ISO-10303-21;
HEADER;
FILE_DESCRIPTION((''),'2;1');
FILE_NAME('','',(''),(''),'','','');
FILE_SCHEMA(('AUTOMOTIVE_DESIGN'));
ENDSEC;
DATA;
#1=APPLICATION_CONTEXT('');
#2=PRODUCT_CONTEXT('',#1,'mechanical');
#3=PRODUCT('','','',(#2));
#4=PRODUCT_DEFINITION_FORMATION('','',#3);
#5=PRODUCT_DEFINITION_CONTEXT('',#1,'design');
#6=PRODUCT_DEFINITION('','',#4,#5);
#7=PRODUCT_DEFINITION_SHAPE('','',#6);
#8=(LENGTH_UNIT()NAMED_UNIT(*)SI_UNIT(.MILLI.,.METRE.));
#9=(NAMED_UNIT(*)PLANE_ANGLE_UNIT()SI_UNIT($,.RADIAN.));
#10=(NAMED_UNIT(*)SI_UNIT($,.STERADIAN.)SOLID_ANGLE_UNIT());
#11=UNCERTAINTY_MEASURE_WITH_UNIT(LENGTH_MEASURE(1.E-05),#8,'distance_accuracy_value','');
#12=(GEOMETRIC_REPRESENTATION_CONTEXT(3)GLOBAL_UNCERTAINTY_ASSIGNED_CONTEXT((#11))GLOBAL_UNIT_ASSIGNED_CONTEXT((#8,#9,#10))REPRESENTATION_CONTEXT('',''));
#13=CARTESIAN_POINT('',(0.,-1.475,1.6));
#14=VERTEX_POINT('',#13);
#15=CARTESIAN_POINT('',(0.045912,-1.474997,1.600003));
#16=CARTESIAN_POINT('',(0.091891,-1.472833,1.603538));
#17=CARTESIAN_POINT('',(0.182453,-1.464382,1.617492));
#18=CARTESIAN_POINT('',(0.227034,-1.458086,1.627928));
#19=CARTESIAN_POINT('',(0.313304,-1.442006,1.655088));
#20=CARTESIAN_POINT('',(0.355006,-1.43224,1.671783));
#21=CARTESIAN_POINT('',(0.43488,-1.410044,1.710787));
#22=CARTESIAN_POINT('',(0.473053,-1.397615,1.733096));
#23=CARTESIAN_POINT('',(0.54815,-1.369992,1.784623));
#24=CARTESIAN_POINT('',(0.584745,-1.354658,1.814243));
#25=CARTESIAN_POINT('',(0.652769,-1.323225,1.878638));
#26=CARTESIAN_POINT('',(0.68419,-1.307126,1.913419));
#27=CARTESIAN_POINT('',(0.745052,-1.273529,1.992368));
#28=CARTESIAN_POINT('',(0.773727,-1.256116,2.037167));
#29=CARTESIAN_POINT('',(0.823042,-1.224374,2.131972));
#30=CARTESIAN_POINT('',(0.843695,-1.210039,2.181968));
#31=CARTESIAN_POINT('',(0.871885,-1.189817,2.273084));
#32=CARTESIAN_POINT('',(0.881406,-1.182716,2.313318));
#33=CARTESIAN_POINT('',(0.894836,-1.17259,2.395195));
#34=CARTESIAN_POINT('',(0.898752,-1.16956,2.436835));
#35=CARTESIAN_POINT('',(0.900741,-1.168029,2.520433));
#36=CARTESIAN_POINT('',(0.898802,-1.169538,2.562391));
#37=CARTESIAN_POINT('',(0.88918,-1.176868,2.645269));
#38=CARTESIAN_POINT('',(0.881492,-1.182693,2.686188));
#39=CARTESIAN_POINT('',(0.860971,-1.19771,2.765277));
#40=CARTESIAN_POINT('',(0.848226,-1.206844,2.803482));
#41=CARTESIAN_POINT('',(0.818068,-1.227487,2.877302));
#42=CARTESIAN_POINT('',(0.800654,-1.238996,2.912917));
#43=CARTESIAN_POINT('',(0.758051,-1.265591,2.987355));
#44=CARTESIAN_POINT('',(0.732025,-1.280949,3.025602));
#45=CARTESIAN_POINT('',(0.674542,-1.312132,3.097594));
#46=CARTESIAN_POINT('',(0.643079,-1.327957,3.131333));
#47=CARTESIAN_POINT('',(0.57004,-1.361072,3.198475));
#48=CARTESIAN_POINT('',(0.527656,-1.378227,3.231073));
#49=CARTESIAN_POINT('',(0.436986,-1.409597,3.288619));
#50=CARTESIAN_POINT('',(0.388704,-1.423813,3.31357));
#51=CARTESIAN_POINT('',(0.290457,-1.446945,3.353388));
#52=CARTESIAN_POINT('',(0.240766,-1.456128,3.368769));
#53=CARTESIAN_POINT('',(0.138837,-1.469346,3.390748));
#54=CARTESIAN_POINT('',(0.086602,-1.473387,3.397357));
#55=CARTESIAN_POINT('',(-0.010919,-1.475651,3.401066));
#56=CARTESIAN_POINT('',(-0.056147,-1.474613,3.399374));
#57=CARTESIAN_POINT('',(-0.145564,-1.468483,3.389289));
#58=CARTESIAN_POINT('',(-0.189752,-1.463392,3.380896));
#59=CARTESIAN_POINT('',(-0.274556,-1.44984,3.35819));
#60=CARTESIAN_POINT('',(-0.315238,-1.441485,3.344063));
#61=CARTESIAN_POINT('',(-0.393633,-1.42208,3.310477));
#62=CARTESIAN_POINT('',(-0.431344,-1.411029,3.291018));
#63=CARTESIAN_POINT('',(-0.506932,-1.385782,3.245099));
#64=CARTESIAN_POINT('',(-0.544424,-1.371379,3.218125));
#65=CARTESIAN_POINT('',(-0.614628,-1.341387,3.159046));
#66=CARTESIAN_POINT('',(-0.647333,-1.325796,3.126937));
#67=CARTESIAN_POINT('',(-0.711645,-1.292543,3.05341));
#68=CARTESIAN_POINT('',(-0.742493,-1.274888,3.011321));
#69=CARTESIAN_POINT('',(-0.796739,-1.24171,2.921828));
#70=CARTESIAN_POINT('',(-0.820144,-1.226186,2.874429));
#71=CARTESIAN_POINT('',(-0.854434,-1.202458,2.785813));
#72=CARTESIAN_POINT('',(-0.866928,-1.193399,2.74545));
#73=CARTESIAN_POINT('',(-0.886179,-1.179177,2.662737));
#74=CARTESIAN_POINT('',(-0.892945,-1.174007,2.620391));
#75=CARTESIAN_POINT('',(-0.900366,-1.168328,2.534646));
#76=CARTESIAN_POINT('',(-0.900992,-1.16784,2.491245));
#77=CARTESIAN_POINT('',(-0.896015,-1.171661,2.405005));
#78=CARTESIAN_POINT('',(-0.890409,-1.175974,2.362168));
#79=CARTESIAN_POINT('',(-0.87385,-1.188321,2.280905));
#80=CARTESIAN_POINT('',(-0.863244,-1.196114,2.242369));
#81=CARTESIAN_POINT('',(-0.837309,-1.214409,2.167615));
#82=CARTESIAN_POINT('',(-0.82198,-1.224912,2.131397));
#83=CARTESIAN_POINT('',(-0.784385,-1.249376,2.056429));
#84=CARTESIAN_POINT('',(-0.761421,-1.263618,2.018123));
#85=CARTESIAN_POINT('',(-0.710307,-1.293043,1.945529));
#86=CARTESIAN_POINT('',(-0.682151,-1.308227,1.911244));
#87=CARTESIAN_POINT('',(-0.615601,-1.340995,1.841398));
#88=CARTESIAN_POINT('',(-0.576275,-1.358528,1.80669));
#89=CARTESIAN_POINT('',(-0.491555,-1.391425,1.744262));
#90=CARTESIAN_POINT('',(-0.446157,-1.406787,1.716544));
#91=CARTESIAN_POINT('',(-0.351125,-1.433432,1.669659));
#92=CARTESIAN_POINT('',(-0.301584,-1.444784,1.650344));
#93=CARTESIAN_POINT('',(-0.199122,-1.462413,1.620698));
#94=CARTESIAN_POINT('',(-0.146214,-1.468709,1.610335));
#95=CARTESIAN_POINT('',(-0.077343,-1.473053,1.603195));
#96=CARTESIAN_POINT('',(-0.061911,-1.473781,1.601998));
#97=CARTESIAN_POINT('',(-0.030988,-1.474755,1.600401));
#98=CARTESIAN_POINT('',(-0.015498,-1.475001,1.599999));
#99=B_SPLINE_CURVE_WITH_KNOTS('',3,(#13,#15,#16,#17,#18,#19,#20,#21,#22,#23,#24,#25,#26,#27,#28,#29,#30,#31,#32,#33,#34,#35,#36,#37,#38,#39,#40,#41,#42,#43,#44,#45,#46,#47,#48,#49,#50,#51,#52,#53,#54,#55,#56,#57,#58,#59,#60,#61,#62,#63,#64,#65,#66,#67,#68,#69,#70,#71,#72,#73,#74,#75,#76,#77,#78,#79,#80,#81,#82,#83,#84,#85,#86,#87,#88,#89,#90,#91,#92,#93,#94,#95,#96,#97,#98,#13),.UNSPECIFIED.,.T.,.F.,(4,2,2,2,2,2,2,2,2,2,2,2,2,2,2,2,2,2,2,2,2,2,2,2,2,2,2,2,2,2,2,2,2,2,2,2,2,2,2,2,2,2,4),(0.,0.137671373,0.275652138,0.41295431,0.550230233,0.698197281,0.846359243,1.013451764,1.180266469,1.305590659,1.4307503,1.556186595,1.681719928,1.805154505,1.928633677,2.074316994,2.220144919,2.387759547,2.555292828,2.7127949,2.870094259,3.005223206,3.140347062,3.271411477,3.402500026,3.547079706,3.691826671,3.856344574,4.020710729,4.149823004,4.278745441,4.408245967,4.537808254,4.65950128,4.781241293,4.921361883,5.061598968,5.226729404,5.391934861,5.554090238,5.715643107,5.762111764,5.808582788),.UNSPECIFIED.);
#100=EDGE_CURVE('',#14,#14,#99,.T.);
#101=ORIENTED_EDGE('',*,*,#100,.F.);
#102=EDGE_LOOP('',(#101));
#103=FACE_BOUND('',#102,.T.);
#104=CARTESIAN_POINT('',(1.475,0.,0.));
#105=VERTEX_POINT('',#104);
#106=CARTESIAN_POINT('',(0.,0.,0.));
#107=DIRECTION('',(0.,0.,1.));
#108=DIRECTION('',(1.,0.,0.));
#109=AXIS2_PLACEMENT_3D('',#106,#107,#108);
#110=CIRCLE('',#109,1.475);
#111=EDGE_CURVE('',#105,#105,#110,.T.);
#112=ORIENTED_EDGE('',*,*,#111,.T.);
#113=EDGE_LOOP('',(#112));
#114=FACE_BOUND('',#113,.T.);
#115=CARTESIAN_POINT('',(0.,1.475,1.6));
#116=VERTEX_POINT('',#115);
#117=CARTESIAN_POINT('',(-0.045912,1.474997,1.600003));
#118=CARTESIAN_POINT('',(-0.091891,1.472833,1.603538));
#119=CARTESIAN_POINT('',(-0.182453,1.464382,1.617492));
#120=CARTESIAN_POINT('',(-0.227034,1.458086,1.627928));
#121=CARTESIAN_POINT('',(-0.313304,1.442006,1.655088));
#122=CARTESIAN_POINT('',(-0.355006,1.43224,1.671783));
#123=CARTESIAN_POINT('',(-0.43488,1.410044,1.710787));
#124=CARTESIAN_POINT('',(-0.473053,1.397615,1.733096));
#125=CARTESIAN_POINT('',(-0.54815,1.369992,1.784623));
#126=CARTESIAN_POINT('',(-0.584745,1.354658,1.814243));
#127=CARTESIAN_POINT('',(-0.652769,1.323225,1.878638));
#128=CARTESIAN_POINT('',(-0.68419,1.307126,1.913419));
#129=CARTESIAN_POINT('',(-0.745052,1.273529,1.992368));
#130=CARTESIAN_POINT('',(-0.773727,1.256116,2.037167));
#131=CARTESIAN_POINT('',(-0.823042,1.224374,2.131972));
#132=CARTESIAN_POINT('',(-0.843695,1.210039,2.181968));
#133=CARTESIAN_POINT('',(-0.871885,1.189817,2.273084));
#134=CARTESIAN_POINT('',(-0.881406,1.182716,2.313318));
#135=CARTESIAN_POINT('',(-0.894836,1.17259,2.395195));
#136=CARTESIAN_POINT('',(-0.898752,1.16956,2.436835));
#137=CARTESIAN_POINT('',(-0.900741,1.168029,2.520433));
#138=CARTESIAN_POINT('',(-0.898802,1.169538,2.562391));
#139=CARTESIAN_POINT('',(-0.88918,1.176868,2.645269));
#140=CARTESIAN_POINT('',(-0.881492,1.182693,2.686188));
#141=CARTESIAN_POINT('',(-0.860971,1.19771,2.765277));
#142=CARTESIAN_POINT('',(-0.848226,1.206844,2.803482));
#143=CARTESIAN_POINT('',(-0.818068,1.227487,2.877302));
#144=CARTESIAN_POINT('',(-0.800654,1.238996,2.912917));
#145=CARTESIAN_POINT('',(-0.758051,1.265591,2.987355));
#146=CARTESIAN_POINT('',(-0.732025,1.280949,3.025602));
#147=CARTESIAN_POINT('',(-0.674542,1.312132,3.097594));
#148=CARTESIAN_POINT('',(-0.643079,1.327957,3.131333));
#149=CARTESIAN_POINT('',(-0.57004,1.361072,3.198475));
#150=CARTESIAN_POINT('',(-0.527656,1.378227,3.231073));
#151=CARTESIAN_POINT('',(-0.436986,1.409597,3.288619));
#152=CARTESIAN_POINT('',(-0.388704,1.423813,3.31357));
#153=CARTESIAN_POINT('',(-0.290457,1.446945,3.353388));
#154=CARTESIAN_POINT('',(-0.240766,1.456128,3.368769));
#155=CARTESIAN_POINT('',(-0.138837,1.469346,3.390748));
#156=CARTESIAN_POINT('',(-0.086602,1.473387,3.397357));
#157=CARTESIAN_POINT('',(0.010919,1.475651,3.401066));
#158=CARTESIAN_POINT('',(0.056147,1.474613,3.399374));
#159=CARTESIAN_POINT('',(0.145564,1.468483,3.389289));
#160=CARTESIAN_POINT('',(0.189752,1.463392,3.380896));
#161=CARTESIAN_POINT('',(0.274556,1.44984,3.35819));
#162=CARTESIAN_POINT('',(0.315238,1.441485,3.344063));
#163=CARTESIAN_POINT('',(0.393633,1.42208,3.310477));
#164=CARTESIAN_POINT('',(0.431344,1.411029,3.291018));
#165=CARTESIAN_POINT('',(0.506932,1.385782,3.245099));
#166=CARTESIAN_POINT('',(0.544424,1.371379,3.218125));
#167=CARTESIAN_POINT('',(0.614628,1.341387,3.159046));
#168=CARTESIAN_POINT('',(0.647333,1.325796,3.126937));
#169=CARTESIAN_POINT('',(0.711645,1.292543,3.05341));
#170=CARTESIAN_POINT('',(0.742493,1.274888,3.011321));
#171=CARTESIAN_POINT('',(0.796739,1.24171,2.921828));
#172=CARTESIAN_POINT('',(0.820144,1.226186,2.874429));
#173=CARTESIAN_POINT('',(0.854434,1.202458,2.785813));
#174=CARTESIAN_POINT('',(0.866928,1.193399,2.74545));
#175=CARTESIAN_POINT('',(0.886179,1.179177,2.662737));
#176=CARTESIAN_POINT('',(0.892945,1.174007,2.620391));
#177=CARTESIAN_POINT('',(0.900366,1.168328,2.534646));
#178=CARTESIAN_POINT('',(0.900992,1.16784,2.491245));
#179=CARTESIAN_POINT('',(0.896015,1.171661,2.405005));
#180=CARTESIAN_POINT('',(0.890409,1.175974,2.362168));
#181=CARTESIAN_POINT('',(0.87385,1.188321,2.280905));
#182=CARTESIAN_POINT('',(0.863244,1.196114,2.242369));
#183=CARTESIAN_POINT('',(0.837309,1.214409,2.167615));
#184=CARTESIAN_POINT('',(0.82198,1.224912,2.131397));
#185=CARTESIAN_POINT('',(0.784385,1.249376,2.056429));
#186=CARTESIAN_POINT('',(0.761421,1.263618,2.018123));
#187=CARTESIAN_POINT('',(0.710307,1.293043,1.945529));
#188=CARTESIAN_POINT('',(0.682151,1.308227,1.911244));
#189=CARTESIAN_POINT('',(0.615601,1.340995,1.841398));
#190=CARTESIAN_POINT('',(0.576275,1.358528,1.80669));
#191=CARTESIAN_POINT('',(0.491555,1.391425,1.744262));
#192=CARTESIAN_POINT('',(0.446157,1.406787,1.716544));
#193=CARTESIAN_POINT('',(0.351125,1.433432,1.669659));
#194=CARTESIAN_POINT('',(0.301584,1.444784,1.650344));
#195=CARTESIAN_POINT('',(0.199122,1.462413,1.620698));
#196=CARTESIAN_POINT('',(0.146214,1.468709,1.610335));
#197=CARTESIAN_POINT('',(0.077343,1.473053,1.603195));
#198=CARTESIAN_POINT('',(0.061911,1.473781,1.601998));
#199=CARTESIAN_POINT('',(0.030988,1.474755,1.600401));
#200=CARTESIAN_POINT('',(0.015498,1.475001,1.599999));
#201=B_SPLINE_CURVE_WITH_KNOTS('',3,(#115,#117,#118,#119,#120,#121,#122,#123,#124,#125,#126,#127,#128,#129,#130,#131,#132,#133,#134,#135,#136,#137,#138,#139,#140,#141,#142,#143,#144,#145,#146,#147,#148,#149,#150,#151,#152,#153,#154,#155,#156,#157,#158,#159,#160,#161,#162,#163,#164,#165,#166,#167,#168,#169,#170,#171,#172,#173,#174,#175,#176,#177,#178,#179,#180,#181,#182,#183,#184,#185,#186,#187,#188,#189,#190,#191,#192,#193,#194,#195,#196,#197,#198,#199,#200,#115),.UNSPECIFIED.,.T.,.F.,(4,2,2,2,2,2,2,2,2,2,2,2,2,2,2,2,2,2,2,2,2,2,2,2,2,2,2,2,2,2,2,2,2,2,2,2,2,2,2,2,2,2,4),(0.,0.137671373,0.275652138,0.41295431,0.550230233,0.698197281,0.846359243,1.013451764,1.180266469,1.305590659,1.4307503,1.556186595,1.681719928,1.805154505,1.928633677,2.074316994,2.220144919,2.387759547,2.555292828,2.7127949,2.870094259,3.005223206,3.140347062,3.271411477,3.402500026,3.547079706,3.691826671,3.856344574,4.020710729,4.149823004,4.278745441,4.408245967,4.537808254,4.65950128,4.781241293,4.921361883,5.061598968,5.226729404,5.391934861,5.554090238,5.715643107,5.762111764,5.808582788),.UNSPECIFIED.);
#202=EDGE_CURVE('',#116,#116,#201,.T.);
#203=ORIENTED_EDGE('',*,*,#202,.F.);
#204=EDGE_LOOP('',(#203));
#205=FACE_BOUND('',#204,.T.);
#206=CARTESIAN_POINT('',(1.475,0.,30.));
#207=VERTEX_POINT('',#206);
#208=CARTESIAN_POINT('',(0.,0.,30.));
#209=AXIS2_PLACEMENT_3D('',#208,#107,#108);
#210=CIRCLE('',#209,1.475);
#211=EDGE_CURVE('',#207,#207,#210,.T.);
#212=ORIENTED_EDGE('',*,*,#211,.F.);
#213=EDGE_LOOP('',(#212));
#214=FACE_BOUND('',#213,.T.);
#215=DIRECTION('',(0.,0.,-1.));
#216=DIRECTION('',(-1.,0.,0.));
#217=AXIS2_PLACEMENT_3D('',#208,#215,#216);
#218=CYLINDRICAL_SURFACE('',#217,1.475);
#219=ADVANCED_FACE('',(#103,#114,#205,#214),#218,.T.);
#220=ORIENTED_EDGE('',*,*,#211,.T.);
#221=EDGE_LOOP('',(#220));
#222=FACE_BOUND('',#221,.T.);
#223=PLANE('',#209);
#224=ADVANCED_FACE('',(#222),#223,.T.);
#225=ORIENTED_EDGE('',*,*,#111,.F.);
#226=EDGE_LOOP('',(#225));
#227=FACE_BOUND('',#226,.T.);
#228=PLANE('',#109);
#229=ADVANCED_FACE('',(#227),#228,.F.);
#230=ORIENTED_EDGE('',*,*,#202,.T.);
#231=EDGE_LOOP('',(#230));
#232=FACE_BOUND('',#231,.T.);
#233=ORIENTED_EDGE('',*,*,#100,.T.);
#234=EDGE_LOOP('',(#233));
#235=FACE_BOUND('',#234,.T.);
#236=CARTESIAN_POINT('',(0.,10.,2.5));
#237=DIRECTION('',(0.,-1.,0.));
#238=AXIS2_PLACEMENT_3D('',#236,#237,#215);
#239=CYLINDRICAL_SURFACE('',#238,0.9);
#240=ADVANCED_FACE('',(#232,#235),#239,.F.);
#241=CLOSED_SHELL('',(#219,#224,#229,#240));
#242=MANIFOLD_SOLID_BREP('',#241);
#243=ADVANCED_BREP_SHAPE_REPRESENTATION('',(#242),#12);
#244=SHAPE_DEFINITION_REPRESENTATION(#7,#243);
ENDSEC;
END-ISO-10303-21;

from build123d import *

# Parameters (mm, degrees)
SKETCH1_R               = 1.475
BOSS_EXTRUDE1_DEPTH     = 30
CUT_EXTRUDE1_DEPTH      = 10
CUT_EXTRUDE1_DEPTH_BACK = 10
SKETCH2_R               = 0.9


with BuildPart() as part:
    # Sketch1 → Boss-Extrude1 (new body)
    with BuildSketch(Plane.XY):
        Circle(SKETCH1_R)
    extrude(amount=BOSS_EXTRUDE1_DEPTH)

    # Sketch2 → Cut-Extrude1 (cut, two sides: drawn at the far end of the back side and taken through both)
    with BuildSketch(Plane(origin=(0, 0, 0), x_dir=(1, 0, 0), z_dir=(0, 1, 0)).offset(-CUT_EXTRUDE1_DEPTH_BACK)):
        with Locations((0, -2.5)):
            Circle(SKETCH2_R)
    extrude(amount=CUT_EXTRUDE1_DEPTH + CUT_EXTRUDE1_DEPTH_BACK, mode=Mode.SUBTRACT)


solid = part.part
